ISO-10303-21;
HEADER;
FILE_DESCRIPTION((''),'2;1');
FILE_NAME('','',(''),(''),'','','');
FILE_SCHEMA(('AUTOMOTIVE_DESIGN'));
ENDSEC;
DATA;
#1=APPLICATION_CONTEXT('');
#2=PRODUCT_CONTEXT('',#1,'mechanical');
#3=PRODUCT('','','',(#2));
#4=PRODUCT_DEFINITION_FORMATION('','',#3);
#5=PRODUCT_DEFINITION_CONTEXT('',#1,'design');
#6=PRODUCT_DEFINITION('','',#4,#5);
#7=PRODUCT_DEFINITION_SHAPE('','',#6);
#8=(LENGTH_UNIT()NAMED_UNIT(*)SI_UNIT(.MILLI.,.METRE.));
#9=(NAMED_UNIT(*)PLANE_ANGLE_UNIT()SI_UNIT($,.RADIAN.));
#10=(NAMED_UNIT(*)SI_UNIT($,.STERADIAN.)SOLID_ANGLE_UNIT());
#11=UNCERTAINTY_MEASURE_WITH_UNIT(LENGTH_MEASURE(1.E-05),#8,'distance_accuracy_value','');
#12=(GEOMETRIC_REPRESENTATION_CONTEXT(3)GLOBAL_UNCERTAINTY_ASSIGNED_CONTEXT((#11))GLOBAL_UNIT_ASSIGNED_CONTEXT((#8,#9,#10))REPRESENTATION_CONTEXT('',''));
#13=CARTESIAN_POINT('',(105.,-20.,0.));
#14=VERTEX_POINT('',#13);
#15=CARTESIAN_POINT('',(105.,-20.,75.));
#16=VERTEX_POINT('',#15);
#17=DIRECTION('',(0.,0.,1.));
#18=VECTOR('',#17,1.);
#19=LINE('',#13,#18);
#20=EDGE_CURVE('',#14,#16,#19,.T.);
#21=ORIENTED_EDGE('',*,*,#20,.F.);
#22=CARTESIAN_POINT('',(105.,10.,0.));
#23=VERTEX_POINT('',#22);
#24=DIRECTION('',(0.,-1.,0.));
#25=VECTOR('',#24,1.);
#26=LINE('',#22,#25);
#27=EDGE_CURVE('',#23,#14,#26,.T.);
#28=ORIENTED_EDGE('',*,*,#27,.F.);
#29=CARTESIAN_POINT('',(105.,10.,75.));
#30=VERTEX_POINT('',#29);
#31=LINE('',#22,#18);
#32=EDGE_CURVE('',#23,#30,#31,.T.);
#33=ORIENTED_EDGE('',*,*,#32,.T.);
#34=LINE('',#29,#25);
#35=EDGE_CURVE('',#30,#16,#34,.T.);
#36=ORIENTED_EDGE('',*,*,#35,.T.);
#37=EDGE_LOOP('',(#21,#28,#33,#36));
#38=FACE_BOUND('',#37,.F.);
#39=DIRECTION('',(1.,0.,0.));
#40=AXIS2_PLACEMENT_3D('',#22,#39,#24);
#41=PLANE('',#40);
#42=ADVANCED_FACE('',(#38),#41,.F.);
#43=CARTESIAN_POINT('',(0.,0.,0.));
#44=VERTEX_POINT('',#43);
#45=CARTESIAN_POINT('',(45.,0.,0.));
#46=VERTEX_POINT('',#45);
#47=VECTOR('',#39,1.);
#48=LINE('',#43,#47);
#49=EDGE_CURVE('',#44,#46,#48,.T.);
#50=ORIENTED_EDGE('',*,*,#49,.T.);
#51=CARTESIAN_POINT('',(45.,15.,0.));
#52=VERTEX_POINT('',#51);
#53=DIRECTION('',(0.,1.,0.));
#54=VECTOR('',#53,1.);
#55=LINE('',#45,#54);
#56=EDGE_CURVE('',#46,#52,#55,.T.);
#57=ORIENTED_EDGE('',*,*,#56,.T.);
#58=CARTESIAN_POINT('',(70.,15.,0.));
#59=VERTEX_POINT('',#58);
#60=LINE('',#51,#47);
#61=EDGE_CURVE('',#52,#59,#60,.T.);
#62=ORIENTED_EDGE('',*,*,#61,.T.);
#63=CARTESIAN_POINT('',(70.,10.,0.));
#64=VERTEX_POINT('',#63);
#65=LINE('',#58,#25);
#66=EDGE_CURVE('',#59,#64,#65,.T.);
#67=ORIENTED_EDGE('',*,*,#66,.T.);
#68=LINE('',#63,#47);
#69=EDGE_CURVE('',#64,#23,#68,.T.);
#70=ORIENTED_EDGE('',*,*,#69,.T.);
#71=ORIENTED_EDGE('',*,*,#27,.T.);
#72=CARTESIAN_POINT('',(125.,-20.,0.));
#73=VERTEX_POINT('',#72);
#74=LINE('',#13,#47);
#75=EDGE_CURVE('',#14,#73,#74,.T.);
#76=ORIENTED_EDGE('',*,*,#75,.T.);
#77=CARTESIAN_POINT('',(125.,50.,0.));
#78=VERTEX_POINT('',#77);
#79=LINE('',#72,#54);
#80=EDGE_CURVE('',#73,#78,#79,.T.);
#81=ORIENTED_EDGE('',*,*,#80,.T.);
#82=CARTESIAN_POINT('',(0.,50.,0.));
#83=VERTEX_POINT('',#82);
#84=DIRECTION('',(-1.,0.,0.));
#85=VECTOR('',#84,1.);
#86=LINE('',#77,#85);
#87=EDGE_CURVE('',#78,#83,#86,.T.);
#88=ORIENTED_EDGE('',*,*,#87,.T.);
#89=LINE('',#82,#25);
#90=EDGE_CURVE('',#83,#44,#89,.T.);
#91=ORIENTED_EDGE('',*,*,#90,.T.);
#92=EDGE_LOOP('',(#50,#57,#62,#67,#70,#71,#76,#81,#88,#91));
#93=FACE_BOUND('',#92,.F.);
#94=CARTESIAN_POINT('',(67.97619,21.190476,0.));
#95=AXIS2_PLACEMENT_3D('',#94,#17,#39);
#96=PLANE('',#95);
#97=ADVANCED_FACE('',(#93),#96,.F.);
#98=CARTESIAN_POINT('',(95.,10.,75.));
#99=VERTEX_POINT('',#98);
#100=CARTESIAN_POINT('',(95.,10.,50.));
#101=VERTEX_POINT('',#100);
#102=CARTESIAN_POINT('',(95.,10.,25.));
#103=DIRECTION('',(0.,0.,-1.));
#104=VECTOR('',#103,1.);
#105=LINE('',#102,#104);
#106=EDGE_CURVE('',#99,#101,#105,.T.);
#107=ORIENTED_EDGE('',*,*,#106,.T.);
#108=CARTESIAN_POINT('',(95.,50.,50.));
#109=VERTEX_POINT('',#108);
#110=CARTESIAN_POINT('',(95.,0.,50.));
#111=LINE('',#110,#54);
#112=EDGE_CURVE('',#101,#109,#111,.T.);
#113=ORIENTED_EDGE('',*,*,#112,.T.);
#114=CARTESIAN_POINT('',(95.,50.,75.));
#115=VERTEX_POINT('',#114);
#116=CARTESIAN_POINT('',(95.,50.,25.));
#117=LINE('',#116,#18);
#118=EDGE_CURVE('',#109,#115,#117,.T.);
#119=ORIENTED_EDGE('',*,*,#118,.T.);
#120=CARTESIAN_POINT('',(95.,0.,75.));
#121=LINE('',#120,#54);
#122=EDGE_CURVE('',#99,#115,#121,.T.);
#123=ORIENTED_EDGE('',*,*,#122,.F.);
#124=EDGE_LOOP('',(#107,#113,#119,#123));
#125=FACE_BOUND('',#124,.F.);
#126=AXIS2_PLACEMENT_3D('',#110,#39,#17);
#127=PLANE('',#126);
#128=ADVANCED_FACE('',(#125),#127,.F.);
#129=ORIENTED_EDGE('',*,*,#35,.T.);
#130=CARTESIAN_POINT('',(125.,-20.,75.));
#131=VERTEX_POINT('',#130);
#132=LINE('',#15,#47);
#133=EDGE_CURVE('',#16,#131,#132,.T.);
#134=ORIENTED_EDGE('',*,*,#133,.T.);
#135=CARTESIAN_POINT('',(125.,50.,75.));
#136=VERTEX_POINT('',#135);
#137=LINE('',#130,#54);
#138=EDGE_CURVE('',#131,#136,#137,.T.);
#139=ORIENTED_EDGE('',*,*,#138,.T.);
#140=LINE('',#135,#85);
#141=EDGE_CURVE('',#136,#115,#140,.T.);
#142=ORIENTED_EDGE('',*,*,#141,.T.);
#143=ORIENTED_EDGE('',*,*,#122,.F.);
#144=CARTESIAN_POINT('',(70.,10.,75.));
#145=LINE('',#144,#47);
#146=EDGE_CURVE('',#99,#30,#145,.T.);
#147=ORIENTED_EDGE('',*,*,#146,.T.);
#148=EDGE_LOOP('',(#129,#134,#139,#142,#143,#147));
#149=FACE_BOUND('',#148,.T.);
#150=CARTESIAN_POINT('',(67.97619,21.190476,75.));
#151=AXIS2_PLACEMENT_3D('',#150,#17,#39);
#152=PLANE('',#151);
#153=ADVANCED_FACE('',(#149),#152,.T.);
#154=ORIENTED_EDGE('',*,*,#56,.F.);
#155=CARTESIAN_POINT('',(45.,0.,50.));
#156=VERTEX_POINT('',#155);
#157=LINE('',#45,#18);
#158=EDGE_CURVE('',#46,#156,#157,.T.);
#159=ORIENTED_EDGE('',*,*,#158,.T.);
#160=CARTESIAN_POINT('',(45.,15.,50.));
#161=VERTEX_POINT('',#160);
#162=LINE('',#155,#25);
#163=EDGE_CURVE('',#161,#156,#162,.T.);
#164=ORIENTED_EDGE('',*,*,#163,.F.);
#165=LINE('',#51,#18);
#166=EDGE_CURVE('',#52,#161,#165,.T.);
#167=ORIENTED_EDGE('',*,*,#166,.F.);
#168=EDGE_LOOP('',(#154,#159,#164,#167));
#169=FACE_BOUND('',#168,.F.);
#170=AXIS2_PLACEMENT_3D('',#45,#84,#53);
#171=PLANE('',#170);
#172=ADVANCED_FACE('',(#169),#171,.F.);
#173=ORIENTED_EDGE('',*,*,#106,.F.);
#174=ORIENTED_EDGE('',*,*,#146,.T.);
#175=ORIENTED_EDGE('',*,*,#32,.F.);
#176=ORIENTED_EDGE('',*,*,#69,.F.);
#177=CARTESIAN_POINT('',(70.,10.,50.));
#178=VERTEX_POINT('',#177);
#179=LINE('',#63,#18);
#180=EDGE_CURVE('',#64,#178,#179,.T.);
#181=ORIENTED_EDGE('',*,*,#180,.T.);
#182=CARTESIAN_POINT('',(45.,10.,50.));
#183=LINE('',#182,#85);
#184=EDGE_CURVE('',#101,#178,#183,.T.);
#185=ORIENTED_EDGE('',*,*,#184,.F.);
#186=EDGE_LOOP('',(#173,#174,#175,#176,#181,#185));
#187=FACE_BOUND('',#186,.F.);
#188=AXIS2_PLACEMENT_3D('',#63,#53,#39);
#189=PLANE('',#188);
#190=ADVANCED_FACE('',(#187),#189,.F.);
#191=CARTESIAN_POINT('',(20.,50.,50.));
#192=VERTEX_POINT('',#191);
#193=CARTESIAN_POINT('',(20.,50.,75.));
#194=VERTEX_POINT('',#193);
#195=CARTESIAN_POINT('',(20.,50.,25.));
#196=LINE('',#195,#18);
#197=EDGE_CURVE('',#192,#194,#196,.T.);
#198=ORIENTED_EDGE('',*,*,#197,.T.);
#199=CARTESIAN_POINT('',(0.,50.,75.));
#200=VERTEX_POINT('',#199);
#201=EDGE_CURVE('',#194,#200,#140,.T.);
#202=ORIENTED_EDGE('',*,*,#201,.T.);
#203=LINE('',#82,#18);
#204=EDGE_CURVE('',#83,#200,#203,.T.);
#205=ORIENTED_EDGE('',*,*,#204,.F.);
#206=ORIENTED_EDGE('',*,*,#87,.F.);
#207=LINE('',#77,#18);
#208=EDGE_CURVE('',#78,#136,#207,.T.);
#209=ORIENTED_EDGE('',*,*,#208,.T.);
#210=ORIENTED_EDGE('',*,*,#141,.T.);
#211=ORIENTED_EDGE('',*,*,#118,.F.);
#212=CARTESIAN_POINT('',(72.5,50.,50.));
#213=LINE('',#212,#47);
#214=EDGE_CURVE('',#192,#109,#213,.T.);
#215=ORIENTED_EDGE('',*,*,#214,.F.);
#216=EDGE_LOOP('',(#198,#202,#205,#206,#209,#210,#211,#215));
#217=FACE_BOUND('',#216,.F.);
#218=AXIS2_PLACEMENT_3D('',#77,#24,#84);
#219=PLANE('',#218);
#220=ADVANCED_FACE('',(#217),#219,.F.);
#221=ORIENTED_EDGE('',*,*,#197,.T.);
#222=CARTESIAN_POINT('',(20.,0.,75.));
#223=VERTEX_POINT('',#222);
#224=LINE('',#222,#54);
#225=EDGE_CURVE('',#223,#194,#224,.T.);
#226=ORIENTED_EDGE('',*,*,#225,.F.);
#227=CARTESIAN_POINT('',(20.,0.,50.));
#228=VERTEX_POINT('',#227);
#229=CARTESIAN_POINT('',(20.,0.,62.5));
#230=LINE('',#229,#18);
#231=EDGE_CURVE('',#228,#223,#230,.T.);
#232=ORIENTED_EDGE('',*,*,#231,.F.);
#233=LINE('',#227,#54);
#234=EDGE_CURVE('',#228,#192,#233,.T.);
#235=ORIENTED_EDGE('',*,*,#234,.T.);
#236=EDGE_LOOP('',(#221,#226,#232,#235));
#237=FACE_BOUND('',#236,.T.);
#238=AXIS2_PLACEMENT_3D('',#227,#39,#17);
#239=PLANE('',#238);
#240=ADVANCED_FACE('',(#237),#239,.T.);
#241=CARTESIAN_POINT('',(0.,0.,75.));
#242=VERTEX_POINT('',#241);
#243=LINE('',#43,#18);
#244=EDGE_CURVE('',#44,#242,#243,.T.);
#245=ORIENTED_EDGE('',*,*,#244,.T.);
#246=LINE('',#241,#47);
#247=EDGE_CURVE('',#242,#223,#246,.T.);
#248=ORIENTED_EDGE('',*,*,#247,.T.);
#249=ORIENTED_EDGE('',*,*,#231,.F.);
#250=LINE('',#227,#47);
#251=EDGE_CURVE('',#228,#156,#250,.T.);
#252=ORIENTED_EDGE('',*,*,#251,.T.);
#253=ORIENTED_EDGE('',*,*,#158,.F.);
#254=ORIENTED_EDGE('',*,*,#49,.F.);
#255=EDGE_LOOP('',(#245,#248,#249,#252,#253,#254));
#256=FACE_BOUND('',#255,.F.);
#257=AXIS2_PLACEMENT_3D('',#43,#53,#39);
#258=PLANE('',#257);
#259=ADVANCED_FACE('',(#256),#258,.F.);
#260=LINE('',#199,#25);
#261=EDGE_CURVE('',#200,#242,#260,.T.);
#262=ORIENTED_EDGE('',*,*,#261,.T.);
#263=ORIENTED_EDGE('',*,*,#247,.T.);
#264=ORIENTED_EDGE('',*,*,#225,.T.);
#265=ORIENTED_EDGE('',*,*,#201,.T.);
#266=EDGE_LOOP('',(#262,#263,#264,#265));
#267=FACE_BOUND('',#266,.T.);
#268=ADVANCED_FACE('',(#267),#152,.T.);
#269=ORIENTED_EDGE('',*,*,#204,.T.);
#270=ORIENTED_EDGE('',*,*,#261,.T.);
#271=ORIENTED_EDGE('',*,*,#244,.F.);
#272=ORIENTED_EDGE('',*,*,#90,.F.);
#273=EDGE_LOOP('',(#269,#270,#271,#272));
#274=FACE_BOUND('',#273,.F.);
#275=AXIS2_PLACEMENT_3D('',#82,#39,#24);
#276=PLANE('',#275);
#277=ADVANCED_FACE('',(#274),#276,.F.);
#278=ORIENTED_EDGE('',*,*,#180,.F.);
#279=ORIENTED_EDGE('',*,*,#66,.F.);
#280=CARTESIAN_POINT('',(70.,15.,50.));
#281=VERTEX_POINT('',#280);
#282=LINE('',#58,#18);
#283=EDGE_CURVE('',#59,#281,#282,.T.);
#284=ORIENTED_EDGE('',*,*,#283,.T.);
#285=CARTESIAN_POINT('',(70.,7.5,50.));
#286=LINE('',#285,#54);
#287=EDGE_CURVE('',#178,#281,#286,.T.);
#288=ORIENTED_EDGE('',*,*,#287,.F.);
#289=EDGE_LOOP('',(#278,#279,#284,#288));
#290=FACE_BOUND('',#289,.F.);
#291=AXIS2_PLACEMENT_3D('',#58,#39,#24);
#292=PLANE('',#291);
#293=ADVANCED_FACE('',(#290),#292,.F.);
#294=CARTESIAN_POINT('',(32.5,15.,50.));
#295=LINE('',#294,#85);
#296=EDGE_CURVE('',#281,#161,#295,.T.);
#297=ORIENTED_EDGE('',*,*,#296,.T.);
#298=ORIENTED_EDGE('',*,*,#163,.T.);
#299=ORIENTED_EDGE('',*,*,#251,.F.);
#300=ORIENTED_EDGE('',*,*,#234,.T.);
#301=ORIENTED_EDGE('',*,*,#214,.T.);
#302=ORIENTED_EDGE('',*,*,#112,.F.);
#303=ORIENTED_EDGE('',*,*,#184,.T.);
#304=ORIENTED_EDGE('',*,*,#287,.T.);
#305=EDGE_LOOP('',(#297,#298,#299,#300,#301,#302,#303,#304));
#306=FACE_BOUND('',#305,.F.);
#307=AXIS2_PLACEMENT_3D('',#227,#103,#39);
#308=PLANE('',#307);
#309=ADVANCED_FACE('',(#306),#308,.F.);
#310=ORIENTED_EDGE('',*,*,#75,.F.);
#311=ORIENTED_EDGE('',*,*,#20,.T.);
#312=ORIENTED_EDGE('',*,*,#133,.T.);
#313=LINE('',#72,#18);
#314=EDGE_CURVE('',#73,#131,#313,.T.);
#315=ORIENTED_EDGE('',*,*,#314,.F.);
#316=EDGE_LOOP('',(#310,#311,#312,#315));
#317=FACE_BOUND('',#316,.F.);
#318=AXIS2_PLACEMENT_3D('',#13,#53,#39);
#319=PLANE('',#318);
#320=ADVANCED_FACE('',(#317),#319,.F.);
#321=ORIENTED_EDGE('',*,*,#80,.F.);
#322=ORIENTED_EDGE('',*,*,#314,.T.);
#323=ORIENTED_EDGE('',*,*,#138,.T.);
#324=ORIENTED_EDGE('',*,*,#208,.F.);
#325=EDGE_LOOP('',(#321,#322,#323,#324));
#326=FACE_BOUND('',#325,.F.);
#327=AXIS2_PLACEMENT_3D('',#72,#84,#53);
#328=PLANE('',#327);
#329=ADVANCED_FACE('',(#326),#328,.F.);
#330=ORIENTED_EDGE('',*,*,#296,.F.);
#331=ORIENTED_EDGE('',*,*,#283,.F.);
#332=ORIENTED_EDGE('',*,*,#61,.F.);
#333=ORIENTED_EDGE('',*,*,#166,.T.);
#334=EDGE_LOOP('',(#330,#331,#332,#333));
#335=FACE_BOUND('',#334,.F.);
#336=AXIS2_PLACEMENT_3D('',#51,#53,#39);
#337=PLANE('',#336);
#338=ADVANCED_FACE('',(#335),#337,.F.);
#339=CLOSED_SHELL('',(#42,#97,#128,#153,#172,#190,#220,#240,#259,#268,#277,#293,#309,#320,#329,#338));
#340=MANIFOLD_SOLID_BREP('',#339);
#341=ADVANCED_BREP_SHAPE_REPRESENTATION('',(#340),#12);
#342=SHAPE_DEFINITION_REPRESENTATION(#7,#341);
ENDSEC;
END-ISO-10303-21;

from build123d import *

# Parameters (mm, degrees)
F1_DEPTH = 75
F2_W     = 25
F2_H     = 25
F3_DEPTH = 50.001


with BuildPart() as f1:
    # F0 (on Top) → F1 (new body)
    with BuildSketch(Plane.XY):
        Polygon((0, 50), (0, 0), (45, 0), (45, 15), (70, 15), (70, 10), (105, 10), (105, -20), (125, -20), (125, 50), align=None)
    extrude(amount=F1_DEPTH)

    # F2 (on face) → F3 (cut, through all)
    with BuildSketch(Plane.XZ):
        Polygon((70, 75), (45, 75), (45, 50), (95, 50), (95, 75), align=None)
        with Locations((32.5, 62.5)):
            Rectangle(F2_W, F2_H)
    extrude(amount=-F3_DEPTH, mode=Mode.SUBTRACT)


solid = f1.part
